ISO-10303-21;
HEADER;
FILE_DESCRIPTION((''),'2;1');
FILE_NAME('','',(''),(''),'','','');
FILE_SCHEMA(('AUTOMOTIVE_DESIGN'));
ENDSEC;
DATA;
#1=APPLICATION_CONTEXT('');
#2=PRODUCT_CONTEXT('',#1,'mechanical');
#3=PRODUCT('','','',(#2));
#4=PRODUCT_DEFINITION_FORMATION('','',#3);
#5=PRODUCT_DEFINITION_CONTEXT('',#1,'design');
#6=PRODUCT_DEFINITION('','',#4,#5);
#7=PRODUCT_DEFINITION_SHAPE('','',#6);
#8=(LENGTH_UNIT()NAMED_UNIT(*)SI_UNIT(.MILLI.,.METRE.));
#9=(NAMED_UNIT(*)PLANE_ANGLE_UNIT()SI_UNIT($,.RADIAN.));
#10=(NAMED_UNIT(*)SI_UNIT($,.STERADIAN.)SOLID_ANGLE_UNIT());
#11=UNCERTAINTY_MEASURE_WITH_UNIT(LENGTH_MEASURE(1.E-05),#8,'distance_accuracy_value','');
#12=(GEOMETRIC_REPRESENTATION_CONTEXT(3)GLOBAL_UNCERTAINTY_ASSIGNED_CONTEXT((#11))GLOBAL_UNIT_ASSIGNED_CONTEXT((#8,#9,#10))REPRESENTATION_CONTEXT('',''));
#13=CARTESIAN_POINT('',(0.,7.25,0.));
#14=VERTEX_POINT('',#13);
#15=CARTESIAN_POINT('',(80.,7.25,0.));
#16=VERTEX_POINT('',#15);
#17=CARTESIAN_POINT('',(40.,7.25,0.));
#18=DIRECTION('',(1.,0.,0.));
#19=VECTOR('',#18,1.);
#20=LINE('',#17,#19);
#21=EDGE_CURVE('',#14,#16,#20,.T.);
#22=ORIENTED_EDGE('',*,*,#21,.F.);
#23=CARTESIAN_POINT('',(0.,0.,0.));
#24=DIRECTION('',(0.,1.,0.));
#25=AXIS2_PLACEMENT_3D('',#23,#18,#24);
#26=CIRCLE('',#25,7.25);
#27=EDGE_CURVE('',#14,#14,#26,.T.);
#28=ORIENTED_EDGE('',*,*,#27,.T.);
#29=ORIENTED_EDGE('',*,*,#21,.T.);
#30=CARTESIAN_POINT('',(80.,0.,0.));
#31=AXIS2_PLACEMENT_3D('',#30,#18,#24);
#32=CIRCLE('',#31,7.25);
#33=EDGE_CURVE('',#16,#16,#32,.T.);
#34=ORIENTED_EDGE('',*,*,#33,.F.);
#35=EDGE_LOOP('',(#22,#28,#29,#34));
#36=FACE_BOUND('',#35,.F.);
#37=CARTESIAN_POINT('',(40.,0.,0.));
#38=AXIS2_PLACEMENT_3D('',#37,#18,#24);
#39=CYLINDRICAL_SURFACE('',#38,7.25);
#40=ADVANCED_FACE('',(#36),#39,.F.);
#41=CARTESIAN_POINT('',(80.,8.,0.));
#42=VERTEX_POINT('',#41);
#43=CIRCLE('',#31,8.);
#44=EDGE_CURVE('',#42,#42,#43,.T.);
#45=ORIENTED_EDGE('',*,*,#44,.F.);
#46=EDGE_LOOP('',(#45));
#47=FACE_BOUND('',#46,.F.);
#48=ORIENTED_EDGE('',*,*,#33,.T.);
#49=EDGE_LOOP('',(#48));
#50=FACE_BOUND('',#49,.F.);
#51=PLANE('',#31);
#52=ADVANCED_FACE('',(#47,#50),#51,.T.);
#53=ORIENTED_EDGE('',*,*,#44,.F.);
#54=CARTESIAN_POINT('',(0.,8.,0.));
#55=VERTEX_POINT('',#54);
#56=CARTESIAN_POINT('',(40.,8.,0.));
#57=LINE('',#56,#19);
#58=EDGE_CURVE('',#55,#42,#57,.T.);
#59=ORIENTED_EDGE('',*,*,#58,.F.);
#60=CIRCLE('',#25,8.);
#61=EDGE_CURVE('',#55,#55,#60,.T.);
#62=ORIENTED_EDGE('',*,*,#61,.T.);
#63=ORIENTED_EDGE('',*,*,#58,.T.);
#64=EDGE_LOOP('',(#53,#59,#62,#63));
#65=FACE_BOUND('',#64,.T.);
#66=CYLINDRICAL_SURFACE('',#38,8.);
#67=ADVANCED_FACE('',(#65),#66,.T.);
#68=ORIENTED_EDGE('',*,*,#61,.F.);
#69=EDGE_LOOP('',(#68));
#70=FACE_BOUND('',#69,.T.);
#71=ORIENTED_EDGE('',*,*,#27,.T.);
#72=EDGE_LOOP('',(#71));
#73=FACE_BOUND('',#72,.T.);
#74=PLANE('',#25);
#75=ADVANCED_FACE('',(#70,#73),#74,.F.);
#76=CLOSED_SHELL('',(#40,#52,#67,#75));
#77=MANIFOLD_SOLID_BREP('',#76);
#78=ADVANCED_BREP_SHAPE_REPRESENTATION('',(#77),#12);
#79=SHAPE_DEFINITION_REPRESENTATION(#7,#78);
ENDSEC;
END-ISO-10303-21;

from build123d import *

# Parameters (mm, degrees)
SKETCH1_W = 80
SKETCH1_H = 0.75


with BuildPart() as part:
    # Sketch1 → Revolve1 (revolve)
    with BuildSketch(Plane.XY):
        with Locations((40, 7.625)):
            Rectangle(SKETCH1_W, SKETCH1_H)
    revolve(axis=Axis((0, 0, 0), (1, 0, 0)))


solid = part.part
